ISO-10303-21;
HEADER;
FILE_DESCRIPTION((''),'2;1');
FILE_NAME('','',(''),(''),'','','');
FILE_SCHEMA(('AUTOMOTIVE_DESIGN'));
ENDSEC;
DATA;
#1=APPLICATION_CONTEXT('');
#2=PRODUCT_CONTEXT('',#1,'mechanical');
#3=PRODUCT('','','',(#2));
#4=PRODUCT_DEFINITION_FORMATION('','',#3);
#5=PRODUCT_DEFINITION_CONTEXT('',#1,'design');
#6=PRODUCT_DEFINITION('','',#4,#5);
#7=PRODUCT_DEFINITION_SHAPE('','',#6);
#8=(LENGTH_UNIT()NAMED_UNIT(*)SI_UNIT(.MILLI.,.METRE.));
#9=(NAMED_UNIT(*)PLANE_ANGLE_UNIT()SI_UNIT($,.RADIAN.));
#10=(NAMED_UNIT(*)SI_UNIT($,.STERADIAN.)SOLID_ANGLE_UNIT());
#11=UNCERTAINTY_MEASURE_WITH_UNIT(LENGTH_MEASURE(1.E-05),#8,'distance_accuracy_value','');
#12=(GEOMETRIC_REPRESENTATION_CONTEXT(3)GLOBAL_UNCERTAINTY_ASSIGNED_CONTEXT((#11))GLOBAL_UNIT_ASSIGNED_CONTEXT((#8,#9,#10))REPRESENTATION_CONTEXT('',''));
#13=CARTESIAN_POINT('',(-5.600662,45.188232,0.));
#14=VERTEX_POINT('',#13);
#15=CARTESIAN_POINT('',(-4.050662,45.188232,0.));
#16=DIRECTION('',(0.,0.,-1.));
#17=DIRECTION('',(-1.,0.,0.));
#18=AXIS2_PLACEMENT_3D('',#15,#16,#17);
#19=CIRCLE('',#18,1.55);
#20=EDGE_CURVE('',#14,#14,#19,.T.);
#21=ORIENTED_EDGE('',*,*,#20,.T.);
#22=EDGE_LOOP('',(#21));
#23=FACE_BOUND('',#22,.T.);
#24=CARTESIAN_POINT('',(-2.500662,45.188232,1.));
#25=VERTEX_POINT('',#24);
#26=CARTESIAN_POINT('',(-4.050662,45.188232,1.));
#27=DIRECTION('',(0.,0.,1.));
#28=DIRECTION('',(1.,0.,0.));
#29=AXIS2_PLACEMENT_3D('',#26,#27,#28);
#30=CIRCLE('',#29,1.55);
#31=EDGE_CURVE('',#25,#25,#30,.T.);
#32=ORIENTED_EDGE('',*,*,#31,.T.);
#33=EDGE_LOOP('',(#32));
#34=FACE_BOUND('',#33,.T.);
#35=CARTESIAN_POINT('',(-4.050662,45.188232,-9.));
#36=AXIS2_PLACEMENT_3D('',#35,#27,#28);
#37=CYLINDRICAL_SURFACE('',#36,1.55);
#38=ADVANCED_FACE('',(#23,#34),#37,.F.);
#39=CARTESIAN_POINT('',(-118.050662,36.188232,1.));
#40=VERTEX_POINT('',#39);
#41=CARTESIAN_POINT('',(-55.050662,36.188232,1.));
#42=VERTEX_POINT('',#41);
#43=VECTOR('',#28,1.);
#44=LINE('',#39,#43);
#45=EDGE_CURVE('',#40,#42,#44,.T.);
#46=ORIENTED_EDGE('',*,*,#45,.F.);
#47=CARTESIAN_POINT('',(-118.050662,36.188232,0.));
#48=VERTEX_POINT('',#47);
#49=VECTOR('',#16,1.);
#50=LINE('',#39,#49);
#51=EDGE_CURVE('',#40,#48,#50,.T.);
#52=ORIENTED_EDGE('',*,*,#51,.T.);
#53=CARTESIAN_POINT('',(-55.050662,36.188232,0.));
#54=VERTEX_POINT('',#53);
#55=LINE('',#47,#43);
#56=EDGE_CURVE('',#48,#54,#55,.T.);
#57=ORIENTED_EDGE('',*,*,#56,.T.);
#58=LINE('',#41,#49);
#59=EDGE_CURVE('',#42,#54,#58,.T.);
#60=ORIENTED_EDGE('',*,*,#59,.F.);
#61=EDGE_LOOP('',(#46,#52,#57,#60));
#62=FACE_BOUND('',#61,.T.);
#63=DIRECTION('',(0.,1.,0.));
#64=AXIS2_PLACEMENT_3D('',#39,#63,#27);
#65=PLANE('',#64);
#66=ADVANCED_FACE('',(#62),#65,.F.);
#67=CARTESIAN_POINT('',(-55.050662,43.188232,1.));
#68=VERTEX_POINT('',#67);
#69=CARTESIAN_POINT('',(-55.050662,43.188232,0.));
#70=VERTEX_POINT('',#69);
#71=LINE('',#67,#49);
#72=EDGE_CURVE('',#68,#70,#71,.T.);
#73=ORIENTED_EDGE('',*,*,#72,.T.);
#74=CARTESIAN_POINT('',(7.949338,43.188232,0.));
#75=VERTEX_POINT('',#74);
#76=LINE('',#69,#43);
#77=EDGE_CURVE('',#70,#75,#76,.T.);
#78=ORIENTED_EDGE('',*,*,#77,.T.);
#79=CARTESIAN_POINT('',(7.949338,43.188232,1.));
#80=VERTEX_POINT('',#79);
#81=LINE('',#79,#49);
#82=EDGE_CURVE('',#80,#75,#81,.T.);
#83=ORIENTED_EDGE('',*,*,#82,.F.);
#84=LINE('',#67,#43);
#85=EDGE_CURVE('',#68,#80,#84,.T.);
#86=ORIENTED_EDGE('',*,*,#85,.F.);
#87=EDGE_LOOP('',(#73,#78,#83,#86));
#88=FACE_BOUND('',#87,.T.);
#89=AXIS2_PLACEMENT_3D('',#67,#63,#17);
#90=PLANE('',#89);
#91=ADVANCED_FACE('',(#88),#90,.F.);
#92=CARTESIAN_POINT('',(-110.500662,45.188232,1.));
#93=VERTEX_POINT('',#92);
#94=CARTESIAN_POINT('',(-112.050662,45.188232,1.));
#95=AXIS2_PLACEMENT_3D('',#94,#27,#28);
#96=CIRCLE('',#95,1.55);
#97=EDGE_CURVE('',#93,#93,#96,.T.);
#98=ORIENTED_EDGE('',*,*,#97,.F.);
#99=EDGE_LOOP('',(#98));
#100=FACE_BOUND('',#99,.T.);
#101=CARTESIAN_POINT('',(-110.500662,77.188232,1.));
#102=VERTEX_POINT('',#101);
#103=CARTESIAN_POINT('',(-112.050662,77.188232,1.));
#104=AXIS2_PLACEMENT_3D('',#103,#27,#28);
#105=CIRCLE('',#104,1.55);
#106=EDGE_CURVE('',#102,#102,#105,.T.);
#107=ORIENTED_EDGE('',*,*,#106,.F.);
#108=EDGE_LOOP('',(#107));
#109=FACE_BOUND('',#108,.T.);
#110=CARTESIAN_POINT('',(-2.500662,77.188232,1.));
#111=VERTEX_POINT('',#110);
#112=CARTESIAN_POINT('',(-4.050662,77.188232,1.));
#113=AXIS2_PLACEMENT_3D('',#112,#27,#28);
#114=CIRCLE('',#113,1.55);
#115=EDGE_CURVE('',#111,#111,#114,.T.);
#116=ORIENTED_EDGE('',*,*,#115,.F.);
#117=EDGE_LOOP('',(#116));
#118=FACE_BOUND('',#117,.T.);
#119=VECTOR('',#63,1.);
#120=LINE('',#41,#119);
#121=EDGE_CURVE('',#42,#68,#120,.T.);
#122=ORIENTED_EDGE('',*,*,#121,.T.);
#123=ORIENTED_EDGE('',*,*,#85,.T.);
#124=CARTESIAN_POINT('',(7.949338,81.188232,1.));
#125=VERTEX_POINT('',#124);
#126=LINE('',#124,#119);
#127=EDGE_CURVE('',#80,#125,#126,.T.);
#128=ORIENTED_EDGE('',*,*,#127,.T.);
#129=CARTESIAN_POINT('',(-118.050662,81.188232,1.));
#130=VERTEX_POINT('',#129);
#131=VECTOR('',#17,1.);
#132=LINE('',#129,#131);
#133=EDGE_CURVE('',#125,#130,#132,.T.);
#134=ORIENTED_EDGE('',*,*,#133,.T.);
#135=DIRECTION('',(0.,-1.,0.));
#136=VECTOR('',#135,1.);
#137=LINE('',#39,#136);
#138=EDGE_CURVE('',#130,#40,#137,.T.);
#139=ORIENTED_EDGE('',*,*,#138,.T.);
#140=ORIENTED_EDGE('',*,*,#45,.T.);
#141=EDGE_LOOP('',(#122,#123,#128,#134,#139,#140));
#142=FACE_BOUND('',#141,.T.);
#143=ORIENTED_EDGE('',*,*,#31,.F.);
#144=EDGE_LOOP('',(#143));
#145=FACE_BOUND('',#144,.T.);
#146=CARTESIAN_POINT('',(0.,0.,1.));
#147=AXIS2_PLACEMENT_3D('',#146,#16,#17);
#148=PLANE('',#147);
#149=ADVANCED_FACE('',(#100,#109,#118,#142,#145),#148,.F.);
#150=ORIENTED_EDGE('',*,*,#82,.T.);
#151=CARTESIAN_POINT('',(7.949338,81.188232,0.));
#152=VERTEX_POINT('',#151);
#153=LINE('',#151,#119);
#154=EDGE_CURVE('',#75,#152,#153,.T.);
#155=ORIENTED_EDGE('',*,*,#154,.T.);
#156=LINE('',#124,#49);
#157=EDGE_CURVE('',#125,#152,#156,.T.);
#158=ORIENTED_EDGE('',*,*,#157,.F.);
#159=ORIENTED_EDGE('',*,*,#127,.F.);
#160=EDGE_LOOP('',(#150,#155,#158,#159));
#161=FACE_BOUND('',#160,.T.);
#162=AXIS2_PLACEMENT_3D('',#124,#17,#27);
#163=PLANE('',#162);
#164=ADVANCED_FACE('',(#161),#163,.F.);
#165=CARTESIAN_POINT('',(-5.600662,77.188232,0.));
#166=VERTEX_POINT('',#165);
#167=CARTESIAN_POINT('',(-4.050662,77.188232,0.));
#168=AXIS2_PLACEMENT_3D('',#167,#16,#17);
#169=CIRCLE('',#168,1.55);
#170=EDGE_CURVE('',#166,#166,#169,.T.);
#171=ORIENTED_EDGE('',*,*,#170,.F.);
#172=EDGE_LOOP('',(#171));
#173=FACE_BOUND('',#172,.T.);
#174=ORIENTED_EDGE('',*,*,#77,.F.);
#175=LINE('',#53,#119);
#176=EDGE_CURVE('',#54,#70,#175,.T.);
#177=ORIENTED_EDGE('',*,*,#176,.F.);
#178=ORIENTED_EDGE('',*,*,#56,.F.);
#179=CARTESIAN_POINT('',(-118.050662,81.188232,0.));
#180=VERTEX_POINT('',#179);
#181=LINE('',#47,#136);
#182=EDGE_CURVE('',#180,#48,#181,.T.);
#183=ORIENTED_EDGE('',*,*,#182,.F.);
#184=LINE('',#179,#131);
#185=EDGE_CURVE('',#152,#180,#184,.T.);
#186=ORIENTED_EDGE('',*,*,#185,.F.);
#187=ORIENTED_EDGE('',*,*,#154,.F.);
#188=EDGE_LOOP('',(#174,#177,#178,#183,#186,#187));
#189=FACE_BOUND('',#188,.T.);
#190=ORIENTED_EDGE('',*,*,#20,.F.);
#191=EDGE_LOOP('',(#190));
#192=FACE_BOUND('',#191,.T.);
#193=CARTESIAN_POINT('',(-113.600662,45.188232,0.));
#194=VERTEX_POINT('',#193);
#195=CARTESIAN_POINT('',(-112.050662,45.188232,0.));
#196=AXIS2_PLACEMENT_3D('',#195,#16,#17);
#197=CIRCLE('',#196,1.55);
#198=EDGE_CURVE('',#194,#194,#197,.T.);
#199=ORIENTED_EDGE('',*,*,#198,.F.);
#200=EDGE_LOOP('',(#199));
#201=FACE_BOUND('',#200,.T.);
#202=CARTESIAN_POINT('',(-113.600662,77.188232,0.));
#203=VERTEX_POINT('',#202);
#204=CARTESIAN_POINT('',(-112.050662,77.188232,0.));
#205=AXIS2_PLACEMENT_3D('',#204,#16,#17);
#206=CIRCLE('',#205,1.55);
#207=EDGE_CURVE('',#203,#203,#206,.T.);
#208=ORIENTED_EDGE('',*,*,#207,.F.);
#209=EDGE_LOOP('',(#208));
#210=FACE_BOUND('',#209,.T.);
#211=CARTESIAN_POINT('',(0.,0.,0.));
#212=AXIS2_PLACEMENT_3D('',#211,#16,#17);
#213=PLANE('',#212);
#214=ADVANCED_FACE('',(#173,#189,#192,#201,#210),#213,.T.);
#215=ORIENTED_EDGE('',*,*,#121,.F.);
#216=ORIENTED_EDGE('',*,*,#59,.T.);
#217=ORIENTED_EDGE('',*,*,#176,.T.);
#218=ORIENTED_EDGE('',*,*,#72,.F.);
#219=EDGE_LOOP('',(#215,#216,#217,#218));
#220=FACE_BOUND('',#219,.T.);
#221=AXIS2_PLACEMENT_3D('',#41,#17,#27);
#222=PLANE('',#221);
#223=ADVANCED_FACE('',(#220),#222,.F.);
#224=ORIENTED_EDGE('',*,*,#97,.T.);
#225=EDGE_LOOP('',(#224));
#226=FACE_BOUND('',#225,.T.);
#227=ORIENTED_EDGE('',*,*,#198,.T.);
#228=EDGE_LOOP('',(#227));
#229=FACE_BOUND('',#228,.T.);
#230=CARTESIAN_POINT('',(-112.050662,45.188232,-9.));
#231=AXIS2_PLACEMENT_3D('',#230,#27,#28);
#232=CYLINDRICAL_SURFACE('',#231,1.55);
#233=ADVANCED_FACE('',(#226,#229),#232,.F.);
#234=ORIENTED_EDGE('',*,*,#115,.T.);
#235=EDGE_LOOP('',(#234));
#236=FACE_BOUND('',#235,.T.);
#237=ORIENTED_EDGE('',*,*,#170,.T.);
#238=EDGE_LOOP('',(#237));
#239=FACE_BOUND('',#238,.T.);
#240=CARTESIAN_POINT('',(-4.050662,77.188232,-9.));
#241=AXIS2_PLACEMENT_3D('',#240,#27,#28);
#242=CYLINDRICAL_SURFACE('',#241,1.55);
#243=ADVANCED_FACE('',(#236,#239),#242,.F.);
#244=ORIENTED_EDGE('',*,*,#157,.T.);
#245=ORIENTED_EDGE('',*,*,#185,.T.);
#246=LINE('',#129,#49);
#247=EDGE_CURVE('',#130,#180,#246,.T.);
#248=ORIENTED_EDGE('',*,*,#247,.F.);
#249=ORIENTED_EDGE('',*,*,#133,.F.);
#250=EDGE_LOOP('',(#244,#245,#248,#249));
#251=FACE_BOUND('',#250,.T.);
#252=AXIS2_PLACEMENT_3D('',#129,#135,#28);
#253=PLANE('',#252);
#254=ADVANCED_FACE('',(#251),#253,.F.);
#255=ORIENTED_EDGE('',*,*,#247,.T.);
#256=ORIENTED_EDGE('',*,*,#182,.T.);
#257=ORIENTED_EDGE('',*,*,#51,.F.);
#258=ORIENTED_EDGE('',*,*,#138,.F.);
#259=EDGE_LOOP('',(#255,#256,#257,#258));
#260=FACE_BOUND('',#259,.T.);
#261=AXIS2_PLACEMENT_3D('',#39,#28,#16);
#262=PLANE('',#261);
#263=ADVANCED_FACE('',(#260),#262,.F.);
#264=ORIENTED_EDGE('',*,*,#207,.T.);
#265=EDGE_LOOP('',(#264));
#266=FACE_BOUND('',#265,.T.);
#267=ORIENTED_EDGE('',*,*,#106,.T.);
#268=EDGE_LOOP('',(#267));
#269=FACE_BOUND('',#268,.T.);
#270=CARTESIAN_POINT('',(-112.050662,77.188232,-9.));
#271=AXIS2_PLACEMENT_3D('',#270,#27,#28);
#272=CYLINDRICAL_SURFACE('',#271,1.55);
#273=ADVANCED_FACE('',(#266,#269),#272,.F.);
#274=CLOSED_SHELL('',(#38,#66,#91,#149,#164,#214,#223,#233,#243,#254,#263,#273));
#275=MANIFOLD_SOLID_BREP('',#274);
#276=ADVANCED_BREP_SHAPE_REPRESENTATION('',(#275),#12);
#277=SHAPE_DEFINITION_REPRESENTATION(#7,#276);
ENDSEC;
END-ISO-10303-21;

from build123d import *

# Parameters (mm, degrees)
DODANIE_WYCI_GNI_CIE1_DEPTH = 1
SZKIC2_R                    = 1.55
WYTNIJ_WYCI_GNI_CIE1_DEPTH  = 10


with BuildPart() as part:
    # Szkic1 → Dodanie-wyciągnięcie1 (new body)
    with BuildSketch(Plane.XY):
        Polygon((-118.050662271, 36.18823203), (-55.050662271, 36.18823203), (-55.050662271, 43.18823203), (7.949337729, 43.18823203), (7.949337729, 81.18823203), (-118.050662271, 81.18823203), align=None)
    extrude(amount=DODANIE_WYCI_GNI_CIE1_DEPTH)

    # Szkic2 → Wytnij-wyciągnięcie1 (cut)
    with BuildSketch(Plane.XY.offset(1)):
        with Locations((-112.050662271, 77.18823203)):
            Circle(SZKIC2_R)
        with Locations((-112.050662271, 45.18823203)):
            Circle(SZKIC2_R)
        with Locations((-4.050662271, 77.18823203)):
            Circle(SZKIC2_R)
        with Locations((-4.050662271, 45.18823203)):
            Circle(SZKIC2_R)
    extrude(amount=-WYTNIJ_WYCI_GNI_CIE1_DEPTH, mode=Mode.SUBTRACT)


solid = part.part
